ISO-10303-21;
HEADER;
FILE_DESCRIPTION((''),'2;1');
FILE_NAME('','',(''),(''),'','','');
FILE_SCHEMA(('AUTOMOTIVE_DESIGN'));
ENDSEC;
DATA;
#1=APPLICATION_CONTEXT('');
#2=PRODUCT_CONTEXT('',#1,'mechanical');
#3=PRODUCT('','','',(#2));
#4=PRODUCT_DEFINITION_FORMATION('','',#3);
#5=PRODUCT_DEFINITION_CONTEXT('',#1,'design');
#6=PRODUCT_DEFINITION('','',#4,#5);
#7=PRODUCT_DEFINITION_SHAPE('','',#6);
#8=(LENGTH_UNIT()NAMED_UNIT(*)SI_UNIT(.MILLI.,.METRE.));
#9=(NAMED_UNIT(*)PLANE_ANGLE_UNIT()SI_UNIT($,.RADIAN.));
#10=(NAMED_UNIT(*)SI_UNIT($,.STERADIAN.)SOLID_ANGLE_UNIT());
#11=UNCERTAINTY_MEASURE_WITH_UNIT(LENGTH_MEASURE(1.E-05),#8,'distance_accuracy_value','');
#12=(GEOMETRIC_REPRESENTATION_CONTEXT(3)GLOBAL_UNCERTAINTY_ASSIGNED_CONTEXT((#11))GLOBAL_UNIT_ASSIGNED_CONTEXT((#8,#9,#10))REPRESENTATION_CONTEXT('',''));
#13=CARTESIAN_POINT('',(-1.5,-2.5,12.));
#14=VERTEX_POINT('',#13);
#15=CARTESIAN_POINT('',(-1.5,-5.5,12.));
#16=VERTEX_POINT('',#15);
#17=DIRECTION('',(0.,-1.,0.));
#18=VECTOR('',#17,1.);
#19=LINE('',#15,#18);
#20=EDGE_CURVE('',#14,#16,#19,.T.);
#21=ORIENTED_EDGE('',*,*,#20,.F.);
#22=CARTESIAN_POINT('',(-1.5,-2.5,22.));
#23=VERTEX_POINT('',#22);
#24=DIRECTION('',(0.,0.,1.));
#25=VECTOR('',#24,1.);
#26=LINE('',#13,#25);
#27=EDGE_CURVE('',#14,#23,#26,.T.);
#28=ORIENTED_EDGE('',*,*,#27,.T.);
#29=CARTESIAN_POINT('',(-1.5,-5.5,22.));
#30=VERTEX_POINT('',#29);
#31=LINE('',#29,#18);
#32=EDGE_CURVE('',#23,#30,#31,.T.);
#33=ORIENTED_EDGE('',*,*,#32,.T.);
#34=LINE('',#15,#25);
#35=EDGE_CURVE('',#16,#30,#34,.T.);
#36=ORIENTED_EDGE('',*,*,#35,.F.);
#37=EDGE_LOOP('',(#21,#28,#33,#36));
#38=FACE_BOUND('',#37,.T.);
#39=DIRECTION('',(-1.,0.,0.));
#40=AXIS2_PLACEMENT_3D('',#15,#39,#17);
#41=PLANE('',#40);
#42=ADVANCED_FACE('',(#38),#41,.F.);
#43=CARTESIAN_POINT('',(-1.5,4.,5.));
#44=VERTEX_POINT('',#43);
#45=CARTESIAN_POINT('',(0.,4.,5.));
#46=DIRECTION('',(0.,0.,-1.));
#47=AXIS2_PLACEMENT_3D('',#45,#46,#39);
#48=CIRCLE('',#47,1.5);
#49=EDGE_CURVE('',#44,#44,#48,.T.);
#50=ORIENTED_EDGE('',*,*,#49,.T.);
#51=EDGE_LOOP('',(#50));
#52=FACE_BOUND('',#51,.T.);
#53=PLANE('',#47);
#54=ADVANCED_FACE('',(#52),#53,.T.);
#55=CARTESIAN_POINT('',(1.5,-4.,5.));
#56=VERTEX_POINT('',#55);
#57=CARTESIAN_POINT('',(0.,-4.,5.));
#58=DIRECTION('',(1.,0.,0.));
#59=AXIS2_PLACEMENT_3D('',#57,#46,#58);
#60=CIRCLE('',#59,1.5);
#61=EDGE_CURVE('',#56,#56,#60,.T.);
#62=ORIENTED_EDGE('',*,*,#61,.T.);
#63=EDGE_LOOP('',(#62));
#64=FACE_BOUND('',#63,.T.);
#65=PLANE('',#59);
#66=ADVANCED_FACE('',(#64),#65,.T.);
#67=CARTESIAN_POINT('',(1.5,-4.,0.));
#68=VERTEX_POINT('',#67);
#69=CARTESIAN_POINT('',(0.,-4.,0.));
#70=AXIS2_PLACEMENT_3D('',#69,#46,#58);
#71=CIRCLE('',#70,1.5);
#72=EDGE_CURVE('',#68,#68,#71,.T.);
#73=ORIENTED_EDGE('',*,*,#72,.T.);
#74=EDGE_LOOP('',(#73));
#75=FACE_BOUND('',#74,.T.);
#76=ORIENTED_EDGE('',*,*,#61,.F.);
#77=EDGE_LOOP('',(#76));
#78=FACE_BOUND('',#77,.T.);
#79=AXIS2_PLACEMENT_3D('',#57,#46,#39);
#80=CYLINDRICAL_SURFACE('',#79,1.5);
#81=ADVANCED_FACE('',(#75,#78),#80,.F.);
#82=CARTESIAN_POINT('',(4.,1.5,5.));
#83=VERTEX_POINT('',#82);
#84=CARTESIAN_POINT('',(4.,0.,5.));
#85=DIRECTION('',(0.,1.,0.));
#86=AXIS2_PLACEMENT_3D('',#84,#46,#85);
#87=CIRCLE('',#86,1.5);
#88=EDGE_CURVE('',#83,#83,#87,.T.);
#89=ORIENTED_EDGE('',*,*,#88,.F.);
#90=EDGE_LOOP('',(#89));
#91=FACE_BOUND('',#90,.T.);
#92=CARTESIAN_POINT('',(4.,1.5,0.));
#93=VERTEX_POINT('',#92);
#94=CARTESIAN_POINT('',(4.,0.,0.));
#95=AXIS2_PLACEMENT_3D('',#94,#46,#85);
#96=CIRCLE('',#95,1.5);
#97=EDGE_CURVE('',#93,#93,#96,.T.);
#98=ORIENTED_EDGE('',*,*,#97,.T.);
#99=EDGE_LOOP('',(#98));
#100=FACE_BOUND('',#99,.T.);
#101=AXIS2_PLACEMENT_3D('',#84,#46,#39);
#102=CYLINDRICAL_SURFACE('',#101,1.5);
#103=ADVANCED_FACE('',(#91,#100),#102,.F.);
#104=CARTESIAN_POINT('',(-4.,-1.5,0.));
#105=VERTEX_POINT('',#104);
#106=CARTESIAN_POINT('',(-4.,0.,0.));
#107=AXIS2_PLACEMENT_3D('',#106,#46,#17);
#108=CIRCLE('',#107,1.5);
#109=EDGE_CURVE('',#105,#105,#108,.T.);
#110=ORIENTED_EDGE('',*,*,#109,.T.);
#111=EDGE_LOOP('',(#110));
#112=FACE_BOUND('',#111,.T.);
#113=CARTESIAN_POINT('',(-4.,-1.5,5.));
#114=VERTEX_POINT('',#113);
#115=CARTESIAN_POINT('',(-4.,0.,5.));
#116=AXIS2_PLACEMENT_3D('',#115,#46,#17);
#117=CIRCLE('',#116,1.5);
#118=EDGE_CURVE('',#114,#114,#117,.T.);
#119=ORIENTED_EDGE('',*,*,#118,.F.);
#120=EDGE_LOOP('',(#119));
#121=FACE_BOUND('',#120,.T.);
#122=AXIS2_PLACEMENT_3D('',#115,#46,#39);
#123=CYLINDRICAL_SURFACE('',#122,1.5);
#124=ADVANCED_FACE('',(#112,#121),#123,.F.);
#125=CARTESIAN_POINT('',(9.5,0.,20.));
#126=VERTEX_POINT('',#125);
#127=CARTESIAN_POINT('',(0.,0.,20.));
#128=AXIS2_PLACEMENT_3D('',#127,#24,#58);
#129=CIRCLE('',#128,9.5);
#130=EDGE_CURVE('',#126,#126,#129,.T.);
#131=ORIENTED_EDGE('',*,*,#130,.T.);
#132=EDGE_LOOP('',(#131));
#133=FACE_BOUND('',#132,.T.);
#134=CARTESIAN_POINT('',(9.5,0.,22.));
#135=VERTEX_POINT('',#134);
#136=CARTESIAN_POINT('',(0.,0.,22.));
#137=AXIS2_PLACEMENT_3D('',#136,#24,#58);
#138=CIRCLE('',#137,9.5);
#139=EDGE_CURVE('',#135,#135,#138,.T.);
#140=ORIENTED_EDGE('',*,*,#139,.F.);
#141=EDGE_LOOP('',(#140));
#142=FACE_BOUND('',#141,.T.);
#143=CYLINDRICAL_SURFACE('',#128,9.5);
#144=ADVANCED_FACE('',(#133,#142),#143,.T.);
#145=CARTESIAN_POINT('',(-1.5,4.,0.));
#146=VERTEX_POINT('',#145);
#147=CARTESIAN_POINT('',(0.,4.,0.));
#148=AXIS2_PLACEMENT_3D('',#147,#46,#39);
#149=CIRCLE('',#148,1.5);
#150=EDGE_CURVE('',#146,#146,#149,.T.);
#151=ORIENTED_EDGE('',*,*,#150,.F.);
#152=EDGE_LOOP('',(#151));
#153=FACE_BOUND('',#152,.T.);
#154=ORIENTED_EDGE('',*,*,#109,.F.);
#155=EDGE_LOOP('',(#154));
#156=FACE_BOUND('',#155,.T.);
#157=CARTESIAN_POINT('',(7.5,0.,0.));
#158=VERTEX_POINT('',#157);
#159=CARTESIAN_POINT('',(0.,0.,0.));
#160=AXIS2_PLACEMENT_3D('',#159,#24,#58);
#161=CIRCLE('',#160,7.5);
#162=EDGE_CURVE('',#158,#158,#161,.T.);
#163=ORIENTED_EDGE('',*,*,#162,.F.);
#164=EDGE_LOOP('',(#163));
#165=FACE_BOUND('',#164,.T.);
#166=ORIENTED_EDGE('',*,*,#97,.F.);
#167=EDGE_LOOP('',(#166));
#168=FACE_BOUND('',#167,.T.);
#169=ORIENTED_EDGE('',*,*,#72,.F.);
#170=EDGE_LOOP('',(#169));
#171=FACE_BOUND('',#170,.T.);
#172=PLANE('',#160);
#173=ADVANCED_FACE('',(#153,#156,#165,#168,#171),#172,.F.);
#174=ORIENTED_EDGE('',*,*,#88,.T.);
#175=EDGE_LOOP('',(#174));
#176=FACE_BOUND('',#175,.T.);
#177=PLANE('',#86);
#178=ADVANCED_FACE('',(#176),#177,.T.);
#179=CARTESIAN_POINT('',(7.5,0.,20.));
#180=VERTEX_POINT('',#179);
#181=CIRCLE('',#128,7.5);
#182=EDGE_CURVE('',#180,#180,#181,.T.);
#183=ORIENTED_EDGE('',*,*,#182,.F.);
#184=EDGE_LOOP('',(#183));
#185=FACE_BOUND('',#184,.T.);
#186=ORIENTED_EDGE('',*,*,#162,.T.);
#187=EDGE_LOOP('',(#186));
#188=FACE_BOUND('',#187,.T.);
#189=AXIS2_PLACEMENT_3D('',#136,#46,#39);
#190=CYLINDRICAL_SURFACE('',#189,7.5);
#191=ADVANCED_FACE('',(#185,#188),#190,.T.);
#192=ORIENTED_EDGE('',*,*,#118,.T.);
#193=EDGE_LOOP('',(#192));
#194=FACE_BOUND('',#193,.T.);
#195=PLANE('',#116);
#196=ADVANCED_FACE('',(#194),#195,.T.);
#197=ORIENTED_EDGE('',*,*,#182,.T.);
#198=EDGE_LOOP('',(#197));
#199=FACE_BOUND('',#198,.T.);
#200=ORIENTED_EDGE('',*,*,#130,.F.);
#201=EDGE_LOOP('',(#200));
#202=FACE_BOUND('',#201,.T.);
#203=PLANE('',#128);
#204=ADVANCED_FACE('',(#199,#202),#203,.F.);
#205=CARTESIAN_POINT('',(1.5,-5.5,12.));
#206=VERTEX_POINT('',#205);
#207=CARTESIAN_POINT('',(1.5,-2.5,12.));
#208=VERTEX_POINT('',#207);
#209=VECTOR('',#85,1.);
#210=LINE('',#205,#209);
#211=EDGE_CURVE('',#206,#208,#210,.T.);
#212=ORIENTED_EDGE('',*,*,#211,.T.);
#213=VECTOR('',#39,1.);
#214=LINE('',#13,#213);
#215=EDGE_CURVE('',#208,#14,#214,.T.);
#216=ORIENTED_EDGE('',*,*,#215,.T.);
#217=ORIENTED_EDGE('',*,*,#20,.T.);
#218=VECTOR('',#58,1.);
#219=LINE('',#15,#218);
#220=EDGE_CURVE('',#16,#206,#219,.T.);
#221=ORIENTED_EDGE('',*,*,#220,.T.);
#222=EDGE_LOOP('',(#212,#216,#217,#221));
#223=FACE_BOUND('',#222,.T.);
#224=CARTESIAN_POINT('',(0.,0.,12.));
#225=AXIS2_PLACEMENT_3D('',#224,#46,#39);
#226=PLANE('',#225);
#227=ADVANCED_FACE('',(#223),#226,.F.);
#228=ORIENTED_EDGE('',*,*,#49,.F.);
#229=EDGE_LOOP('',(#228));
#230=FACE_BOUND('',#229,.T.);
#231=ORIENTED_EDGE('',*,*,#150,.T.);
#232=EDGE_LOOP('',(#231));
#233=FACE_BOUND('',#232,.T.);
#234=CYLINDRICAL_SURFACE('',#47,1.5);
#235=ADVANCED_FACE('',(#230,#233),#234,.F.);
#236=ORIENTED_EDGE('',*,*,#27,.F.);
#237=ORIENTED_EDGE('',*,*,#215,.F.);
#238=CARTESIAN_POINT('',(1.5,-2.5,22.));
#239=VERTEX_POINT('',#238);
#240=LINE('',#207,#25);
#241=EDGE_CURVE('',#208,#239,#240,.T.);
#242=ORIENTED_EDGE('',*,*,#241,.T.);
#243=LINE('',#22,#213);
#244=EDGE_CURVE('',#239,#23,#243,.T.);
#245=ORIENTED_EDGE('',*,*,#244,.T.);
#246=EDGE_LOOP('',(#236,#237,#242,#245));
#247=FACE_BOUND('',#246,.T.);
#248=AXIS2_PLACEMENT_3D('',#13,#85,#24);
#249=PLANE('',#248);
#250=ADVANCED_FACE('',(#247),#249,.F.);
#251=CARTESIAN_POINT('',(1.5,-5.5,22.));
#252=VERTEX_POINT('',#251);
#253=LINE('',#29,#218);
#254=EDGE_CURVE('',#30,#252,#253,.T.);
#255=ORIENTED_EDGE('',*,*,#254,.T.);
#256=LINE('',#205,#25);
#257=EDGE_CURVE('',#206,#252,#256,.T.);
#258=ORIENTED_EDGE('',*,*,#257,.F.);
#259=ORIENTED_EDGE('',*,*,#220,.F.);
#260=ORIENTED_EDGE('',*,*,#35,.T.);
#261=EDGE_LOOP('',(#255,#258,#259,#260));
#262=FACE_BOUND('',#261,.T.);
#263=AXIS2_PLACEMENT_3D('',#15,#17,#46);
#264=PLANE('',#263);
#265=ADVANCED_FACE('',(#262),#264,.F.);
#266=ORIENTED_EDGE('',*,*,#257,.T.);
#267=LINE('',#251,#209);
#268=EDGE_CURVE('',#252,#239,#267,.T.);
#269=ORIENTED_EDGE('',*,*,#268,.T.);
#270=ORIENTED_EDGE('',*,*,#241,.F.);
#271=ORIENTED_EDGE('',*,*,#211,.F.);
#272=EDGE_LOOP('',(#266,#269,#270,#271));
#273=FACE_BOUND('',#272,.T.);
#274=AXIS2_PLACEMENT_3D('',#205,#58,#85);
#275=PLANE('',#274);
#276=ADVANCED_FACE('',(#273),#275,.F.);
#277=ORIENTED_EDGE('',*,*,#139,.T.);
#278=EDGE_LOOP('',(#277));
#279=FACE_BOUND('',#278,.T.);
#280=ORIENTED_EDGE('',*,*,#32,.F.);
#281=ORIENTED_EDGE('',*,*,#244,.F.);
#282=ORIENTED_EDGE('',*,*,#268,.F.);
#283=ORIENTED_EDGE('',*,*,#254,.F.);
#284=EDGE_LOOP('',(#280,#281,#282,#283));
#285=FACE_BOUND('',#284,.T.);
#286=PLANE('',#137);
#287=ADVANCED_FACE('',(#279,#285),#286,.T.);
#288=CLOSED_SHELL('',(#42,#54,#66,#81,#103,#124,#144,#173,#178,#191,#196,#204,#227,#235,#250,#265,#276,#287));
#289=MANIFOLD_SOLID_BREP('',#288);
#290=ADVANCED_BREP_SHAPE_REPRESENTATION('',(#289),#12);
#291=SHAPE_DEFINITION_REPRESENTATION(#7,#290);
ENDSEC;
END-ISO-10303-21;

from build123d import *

# Parameters (mm, degrees)
SKETCH1_R           = 7.5
BOSS_EXTRUDE1_DEPTH = 22
SKETCH4_W           = 3
SKETCH4_H           = 3
CUT_EXTRUDE1_DEPTH  = 10
SKETCH5_R           = 1.5
CUT_EXTRUDE2_DEPTH  = 5
CIRPATTERN1_COUNT   = 4
BOSS_EXTRUDE2_START = -2
SKETCH6_R           = 9.5
SKETCH6_R_2         = 7.5
BOSS_EXTRUDE2_DEPTH = 2


with BuildPart() as part:
    # Sketch1 → Boss-Extrude1 (new body)
    with BuildSketch(Plane.XY):
        Circle(SKETCH1_R)
    extrude(amount=BOSS_EXTRUDE1_DEPTH)

    # Sketch4 → Cut-Extrude1 (cut)
    with BuildSketch(Plane.XY.offset(22)):
        with Locations((0, -4)):
            Rectangle(SKETCH4_W, SKETCH4_H)
    extrude(amount=-CUT_EXTRUDE1_DEPTH, mode=Mode.SUBTRACT)

    # Sketch5 → Cut-Extrude2 (cut)
    with BuildSketch(Plane(origin=(0, 0, 0), x_dir=(-1, 0, 0), z_dir=(0, 0, -1))):
        with Locations((0, 4)):
            Circle(SKETCH5_R)
    cut_extrude2 = extrude(amount=-CUT_EXTRUDE2_DEPTH, mode=Mode.SUBTRACT)

    # CirPattern1: Cut-Extrude2 ×4 about axis
    cirpattern1_axis = Axis((0, 0, 0), (0, 0, 1))
    for i in range(1, CIRPATTERN1_COUNT):
        add(cut_extrude2.rotate(cirpattern1_axis, i * 360 / CIRPATTERN1_COUNT), mode=Mode.SUBTRACT)

    # Sketch6 → Boss-Extrude2 (add)
    with BuildSketch(Plane.XY.offset(22).offset(BOSS_EXTRUDE2_START)):
        Circle(SKETCH6_R)
        Circle(SKETCH6_R_2, mode=Mode.SUBTRACT)
    extrude(amount=BOSS_EXTRUDE2_DEPTH)


solid = part.part
